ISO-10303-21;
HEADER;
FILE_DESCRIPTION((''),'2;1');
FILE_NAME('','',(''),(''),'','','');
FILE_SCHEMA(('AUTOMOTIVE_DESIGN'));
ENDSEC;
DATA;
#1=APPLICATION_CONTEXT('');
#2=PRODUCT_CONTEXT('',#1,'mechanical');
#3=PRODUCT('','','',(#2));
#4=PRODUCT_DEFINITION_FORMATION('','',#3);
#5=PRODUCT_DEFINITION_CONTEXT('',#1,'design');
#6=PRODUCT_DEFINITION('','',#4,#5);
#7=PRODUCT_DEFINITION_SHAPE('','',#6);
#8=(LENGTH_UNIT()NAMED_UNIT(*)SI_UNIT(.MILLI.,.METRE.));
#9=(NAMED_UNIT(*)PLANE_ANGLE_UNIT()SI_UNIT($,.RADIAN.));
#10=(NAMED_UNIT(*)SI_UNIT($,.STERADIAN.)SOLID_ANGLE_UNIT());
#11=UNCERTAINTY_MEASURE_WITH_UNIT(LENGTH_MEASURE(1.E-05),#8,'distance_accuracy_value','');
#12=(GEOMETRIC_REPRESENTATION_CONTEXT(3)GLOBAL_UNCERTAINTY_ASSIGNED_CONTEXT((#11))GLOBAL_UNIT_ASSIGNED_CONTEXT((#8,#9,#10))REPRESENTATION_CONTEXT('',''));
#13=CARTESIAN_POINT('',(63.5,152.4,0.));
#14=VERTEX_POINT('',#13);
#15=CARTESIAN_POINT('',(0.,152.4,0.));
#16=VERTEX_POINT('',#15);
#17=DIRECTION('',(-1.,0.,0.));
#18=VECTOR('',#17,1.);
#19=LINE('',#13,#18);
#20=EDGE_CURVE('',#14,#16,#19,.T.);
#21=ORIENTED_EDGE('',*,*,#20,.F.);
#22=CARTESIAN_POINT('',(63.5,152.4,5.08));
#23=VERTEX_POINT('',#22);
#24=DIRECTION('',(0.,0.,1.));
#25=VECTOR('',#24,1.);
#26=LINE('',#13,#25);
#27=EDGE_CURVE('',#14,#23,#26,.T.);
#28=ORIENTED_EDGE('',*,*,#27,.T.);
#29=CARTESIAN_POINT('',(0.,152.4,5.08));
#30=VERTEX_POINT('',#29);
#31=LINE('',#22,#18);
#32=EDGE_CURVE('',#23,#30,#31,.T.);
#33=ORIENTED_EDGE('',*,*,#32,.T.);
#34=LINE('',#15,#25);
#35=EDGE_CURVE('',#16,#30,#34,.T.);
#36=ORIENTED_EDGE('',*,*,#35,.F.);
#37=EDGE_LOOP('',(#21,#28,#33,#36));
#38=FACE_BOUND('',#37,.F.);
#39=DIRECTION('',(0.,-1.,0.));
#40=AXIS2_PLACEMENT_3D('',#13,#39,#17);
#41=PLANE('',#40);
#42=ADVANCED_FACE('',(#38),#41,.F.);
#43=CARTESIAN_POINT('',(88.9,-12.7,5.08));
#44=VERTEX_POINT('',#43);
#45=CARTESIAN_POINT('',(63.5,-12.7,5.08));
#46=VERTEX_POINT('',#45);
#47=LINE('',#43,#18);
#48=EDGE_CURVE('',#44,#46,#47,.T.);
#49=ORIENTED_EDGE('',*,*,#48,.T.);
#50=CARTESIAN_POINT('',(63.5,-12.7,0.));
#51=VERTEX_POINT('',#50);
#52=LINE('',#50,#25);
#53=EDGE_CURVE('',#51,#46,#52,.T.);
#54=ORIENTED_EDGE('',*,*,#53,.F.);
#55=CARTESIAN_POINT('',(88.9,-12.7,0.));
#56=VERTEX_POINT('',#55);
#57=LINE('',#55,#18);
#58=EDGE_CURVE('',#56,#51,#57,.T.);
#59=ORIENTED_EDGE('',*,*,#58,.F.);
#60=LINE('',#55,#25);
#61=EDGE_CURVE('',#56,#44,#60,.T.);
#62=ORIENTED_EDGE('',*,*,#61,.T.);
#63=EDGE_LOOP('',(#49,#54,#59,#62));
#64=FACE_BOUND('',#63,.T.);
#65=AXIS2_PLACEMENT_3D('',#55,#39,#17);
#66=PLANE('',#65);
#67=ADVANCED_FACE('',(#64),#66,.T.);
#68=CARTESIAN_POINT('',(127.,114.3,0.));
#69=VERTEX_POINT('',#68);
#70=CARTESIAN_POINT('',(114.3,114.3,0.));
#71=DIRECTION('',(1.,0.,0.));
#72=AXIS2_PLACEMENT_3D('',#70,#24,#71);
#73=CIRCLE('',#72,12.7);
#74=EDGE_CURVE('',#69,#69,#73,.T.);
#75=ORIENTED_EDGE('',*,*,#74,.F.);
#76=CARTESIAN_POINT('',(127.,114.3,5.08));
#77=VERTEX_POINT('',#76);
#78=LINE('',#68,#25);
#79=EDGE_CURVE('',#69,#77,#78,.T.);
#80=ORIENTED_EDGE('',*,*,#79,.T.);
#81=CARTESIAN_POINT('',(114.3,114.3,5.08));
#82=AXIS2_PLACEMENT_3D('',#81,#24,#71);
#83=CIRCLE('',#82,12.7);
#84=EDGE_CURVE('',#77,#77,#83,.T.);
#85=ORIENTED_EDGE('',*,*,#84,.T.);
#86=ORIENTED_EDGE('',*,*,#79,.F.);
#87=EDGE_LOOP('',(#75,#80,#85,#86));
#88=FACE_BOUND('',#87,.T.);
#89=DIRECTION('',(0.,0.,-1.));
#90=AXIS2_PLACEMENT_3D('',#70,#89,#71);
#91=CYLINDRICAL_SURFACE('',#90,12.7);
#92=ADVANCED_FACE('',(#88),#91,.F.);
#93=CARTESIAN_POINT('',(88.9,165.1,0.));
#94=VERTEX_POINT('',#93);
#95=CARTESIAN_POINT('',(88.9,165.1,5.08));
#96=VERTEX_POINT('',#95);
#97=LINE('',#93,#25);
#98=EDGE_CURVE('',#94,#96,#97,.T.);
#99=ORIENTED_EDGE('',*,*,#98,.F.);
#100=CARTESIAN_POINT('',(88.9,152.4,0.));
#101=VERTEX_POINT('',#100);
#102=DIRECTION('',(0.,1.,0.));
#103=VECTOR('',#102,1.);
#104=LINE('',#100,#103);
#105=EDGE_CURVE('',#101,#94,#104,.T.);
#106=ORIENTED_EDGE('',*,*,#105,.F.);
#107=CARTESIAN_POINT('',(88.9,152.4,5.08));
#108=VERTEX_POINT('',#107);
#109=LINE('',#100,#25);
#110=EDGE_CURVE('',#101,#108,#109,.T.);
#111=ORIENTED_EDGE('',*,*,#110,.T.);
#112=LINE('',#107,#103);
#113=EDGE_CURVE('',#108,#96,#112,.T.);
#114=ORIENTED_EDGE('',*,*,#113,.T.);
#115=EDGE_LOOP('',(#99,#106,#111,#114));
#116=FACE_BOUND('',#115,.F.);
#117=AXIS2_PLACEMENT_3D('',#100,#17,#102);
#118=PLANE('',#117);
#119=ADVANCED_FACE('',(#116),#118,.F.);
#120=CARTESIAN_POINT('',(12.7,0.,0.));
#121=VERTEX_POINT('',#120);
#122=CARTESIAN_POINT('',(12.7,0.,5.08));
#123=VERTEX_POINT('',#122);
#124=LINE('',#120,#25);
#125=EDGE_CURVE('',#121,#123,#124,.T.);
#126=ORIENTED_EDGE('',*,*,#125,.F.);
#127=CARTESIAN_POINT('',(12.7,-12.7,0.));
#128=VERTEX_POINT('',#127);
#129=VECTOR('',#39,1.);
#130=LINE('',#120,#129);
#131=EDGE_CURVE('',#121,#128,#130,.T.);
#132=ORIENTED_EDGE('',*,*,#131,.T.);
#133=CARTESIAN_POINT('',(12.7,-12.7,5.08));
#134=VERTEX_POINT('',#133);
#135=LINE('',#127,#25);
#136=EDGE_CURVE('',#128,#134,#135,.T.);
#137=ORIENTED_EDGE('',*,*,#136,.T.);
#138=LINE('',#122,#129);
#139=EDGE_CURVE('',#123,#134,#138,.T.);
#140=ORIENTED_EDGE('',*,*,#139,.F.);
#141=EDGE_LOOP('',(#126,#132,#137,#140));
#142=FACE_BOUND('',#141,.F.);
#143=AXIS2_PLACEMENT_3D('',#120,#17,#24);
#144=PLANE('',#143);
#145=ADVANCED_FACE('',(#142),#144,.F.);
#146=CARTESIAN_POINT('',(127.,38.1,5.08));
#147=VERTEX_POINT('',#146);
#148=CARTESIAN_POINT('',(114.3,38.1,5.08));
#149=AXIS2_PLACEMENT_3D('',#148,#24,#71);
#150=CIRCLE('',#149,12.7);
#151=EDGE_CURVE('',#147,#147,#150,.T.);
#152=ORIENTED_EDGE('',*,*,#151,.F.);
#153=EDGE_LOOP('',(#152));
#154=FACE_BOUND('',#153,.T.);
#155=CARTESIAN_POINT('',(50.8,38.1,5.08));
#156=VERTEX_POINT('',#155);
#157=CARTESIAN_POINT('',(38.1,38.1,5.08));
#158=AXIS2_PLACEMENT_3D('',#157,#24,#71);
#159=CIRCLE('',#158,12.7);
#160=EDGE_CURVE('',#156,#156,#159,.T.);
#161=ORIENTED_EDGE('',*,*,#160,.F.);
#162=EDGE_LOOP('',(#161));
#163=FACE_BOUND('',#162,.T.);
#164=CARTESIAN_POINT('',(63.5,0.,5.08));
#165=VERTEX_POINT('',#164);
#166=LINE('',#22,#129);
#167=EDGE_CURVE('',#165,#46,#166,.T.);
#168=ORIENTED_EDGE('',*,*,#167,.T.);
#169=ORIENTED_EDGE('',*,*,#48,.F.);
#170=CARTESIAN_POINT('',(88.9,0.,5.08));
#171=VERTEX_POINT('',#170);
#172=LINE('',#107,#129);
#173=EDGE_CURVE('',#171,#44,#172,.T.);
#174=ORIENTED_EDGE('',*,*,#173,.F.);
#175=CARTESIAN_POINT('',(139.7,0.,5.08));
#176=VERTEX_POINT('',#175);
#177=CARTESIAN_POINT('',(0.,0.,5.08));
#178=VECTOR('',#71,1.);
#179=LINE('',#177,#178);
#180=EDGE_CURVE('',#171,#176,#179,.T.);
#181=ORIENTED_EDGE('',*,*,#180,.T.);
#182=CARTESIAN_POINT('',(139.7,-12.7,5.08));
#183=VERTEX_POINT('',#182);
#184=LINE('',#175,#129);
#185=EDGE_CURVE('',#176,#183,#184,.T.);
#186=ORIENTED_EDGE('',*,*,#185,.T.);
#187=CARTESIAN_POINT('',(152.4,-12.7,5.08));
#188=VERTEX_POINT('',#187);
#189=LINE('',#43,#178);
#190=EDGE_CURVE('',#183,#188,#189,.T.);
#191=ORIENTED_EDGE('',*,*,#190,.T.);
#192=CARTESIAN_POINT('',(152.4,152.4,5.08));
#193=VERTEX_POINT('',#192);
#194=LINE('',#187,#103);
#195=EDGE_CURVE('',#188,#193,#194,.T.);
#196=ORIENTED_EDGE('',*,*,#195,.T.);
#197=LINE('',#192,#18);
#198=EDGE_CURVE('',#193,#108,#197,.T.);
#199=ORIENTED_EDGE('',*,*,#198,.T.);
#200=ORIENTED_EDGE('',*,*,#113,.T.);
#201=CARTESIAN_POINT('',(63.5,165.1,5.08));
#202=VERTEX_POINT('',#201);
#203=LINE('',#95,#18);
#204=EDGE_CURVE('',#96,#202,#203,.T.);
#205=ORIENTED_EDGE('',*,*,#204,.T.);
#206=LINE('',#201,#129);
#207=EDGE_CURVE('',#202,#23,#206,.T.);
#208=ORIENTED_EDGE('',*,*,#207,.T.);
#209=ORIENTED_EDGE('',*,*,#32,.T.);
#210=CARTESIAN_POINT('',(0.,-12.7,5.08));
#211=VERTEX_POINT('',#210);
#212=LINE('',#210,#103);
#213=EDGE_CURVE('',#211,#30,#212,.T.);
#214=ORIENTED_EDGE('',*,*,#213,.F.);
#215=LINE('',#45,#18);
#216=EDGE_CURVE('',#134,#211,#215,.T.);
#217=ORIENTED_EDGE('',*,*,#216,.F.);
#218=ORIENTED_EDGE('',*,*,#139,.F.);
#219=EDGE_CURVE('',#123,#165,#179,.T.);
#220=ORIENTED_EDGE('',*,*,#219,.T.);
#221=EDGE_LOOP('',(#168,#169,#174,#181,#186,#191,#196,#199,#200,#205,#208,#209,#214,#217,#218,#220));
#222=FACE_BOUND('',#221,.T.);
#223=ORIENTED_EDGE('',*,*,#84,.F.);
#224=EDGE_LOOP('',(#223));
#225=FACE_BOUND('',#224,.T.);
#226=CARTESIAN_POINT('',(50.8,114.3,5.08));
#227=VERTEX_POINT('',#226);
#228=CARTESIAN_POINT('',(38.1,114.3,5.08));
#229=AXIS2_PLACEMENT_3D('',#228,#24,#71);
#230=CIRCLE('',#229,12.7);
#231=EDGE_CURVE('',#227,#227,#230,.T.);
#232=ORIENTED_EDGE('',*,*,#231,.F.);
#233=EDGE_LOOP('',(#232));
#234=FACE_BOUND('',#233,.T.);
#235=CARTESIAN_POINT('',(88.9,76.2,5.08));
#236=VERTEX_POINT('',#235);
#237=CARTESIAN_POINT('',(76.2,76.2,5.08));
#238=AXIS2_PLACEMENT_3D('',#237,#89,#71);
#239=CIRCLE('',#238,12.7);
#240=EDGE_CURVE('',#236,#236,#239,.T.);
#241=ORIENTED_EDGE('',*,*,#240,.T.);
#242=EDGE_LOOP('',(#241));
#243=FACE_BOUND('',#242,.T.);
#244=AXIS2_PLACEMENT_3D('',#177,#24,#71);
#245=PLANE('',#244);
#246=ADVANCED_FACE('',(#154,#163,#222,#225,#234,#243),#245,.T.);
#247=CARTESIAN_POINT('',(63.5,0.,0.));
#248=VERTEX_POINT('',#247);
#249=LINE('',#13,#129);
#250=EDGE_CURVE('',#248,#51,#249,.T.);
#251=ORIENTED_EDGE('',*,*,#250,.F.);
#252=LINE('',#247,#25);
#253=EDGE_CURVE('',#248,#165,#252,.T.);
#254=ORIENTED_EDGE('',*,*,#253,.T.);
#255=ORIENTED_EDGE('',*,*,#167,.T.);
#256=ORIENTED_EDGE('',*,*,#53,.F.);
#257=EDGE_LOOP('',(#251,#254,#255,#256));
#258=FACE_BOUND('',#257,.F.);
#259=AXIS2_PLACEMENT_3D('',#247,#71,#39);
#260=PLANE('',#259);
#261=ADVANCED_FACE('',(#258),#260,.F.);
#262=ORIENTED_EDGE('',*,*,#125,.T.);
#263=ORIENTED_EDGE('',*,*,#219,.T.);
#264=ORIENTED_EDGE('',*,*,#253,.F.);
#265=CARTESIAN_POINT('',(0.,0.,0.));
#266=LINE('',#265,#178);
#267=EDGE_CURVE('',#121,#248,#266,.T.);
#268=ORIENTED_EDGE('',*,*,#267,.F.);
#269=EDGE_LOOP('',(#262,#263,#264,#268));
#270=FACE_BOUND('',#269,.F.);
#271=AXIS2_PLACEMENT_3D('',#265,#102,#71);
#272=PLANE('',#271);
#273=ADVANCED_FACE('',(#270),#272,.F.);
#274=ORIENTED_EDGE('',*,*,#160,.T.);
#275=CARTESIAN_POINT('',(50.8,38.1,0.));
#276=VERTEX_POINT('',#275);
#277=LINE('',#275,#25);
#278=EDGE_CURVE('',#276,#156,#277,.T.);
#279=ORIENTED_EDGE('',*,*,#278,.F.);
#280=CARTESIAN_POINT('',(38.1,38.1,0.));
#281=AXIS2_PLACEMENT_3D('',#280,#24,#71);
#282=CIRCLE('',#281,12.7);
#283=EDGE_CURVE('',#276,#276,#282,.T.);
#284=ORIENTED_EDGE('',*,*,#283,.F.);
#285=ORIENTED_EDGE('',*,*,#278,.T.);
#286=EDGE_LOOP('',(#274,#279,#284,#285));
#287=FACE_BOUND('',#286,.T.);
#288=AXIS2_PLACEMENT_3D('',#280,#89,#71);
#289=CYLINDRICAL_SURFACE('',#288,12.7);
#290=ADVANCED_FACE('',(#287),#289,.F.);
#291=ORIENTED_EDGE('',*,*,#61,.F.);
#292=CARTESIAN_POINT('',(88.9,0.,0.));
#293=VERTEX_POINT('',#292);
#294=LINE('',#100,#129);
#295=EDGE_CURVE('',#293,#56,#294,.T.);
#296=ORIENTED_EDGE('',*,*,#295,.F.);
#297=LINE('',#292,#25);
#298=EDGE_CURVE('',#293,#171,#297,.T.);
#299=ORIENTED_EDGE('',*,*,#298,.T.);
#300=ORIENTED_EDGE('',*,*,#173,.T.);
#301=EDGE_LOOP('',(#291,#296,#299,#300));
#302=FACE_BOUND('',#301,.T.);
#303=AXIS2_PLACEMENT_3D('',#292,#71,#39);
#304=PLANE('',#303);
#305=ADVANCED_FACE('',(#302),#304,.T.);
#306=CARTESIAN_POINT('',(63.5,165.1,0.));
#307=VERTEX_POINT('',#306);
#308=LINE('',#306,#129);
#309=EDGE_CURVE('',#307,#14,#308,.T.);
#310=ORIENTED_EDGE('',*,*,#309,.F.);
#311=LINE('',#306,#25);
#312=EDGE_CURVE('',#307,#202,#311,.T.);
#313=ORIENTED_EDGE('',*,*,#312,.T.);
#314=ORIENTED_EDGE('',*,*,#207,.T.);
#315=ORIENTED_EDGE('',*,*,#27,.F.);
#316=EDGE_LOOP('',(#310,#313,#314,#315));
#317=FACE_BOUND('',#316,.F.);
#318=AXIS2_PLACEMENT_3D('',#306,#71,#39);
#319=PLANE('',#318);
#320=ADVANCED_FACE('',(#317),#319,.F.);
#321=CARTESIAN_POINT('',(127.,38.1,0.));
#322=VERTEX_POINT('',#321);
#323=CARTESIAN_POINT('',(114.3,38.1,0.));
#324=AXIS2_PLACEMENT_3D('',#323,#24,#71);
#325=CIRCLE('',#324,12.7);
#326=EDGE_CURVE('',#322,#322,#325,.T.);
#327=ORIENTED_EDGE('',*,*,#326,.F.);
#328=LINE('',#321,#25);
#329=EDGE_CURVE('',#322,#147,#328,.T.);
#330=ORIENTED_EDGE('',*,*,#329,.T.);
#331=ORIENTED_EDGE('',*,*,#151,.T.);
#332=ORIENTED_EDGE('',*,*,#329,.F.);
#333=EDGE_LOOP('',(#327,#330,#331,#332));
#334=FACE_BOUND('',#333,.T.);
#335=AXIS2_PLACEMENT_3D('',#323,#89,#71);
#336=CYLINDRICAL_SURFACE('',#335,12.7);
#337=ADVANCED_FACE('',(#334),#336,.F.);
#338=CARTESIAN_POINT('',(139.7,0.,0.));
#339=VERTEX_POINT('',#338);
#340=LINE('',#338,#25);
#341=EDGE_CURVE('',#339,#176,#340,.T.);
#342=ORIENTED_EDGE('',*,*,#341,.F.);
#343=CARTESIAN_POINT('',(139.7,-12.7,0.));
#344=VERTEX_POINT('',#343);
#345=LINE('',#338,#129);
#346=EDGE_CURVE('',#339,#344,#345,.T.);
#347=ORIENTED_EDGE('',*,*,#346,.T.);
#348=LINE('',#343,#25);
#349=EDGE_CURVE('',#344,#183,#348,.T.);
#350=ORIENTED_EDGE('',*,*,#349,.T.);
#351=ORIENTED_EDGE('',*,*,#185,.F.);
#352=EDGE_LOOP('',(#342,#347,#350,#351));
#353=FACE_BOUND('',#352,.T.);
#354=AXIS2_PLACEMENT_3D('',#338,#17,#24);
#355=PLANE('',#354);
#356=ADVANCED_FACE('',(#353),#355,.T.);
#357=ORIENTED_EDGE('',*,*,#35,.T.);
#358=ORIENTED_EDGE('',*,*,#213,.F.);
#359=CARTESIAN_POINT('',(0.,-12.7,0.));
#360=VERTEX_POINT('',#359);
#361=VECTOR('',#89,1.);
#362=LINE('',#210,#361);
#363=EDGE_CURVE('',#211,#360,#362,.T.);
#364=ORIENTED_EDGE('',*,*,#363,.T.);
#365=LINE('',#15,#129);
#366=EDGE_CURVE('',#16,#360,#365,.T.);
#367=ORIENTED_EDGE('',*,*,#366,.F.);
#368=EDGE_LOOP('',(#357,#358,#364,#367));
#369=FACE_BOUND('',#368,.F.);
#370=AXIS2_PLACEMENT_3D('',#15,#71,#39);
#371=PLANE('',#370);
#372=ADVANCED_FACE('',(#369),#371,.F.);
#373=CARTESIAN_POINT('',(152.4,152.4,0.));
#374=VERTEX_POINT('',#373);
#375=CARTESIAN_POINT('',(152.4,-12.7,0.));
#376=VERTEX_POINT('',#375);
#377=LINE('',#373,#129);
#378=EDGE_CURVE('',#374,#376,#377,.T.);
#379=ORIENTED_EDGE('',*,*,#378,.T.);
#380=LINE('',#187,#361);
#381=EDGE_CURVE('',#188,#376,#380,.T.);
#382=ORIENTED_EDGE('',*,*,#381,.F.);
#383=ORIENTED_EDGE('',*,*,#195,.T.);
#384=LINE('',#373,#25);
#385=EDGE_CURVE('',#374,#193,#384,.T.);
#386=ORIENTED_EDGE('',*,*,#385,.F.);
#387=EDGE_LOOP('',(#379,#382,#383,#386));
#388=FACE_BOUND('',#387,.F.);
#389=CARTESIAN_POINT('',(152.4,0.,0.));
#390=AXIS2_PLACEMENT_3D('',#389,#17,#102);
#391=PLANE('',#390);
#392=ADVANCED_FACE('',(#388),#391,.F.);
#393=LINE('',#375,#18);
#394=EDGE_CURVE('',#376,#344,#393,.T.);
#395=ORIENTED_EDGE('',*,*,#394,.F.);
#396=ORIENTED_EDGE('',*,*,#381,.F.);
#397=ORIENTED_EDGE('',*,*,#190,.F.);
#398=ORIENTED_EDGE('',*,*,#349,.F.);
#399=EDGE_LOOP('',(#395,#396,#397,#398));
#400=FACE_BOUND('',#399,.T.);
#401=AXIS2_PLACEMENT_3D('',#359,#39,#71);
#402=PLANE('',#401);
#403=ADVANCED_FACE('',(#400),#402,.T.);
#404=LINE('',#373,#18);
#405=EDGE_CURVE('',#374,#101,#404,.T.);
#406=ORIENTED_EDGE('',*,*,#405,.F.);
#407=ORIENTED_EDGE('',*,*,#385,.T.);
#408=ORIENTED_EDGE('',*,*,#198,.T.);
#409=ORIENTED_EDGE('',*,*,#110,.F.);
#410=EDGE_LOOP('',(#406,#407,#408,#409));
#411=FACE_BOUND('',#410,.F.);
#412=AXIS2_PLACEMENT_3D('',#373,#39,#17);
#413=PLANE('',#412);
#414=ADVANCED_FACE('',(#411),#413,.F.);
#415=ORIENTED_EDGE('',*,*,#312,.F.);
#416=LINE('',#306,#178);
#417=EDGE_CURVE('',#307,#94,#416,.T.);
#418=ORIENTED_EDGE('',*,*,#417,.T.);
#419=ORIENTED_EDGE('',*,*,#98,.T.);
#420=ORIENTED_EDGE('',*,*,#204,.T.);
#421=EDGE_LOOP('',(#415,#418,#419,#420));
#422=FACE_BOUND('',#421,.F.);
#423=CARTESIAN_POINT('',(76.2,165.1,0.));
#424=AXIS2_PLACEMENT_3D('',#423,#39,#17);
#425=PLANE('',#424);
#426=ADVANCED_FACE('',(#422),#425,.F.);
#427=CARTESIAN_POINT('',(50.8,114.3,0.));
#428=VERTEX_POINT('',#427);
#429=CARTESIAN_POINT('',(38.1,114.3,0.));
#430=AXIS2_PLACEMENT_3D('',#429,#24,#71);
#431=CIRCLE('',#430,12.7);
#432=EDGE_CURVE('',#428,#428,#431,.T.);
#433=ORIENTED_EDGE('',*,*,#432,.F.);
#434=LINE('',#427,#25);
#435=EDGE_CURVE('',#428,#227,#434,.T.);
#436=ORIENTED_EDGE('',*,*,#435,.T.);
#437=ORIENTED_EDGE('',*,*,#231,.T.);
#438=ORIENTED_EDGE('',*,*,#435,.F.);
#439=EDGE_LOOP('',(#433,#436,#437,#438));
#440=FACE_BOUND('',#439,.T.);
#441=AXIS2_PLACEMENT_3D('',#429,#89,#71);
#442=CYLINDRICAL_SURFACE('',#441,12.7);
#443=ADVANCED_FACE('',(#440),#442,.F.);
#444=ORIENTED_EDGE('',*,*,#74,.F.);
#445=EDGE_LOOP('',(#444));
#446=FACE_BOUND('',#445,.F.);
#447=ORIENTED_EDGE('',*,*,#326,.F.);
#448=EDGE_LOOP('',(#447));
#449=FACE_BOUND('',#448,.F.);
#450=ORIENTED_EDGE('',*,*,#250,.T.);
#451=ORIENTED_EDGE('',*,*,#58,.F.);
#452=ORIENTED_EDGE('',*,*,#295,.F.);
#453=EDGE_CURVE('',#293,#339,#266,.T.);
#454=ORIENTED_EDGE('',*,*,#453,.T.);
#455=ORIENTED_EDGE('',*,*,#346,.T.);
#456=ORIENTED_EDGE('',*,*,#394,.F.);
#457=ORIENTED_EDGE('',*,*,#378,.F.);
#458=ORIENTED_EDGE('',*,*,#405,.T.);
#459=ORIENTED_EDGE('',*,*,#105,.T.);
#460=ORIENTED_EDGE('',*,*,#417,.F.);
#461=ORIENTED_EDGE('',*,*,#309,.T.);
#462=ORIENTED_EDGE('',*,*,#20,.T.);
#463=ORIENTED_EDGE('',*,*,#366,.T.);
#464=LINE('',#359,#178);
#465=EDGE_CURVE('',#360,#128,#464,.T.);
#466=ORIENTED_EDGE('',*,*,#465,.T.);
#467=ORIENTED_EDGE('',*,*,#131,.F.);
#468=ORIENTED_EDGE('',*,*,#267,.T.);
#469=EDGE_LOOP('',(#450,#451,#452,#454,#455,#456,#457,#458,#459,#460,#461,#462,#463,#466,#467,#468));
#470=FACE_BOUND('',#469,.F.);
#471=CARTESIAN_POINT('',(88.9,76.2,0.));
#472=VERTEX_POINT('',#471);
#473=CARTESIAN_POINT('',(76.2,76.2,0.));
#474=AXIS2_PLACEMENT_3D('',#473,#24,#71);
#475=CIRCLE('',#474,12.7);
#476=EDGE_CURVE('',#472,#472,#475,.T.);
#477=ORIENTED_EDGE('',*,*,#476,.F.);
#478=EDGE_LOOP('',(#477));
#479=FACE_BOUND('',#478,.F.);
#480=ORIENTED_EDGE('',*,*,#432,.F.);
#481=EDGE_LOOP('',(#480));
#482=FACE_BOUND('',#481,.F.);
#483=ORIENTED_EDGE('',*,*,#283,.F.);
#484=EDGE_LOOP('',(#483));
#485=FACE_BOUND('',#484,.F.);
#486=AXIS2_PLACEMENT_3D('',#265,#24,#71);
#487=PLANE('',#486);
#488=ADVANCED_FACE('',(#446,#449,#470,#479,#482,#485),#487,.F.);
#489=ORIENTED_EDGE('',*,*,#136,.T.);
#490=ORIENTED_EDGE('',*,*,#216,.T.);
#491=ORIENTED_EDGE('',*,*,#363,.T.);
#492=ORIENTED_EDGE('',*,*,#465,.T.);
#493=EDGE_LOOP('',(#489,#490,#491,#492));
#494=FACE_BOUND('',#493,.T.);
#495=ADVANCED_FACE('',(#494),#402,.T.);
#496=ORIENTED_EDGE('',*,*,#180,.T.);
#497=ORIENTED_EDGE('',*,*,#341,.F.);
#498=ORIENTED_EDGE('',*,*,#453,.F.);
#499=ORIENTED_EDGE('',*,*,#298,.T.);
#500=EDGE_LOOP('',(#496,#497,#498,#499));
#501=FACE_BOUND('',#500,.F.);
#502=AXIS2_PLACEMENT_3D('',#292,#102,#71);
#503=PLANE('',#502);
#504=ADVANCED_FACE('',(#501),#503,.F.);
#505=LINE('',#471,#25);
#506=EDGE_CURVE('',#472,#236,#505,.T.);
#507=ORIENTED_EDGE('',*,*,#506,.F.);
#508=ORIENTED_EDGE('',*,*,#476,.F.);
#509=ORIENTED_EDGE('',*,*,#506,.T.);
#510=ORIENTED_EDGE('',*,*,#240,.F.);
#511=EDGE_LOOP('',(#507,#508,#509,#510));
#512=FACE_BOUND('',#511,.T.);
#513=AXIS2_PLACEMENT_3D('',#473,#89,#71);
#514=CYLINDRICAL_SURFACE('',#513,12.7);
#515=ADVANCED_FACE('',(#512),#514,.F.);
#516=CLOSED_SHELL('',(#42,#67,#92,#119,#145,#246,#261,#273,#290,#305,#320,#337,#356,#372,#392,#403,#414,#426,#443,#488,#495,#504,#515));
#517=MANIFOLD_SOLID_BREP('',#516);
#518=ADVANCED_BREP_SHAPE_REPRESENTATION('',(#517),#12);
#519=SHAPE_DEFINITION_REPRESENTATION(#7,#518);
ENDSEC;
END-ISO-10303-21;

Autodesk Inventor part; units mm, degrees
ref_plane "YZ Plane" through (0, 0, 0) normal (1, 0, 0) x (0, 1, 0)
ref_plane "XZ Plane" through (0, 0, 0) normal (0, 1, 0) x (-1, 0, 0)
ref_plane "XY Plane" through (0, 0, 0) normal (0, 0, 1) x (1, 0, 0)
sketch "Sketch1" plane through (0, 0, 0) normal (0, 0, 1) x (1, 0, 0)
  line L0 (0, 0) -> (152.4, 0)
  line L1 (152.4, 0) -> (152.4, 152.4)
  line L2 (0, 152.4) -> (0, 0)
  line L3 (88.9, 152.4) -> (88.9, 165.1)
  line L4 (88.9, 165.1) -> (76.2, 165.1)
  line L5 (76.2, 165.1) -> (63.5, 165.1)
  line L6 (63.5, 165.1) -> (63.5, 152.4)
  line L7 (152.4, 152.4) -> (88.9, 152.4)
  line L8 (63.5, 152.4) -> (0, 152.4)
  circle A0 centre (38.1, 114.3) radius 12.7
  circle A1 centre (114.3, 114.3) radius 12.7
  circle A2 centre (76.2, 76.2) radius 12.7
  circle A3 centre (38.1, 38.1) radius 12.7
  circle A4 centre (114.3, 38.1) radius 12.7
  line L9 (63.5, 152.4) -> (63.5, -12.7)
  line L10 (88.9, 152.4) -> (88.9, -12.7)
  line L11 (63.5, 0) -> (88.9, 0)
  line L12 (88.9, 0) -> (88.9, -12.7)
  line L13 (88.9, -12.7) -> (63.5, -12.7)
  line L14 (63.5, -12.7) -> (63.5, 0)
  dimension "d0" = 152.4
  dimension "d1" = 152.4
  dimension "d5" = 12.7
  dimension "d6" = 12.7
  dimension "d7" = 12.7
  dimension "d8" = 12.7
  dimension "d9" = 63.5
  dimension "d10" = 90
  dimension "d11" = 25.4
  dimension "d12" = 25.4
  dimension "d13" = 25.4
  dimension "d14" = 25.4
  dimension "d15" = 25.4
  dimension "d16" = 38.1
  dimension "d17" = 38.1
  dimension "d18" = 38.1
  dimension "d19" = 38.1
  dimension "d20" = 76.2
  dimension "d21" = 76.2
  dimension "d22" = 38.1
  dimension "d23" = 38.1
  dimension "d24" = 38.1
  dimension "d25" = 38.1
  dimension "d26" = 12.7
extrude "Extrusion1" add sketch "Sketch1" along normal blind 5.08 contours L2 L8 L9 L0 | L9 A2 L10 L0 | L0 L10 L13 L9 | L10 L7 L1 L0 | L9 L6 L5 L4 L3 L10 A2
sketch "Sketch2" plane through (0, 0, 0) normal (0, -1, 0) x (1, 0, 0)
  line L0 (63.5, 5.08) -> (0, 5.08) projected
  line L1 (0, 0) -> (12.7, 0)
  line L2 (12.7, 0) -> (12.7, 5.08)
  line L3 (12.7, 5.08) -> (0, 5.08)
  line L4 (0, 5.08) -> (0, 0)
  line L5 (88.9, 5.08) -> (152.4, 5.08) projected
  line L6 (152.4, 0) -> (139.7, 0)
  line L7 (139.7, 0) -> (139.7, 5.08)
  line L8 (139.7, 5.08) -> (152.4, 5.08)
  line L9 (152.4, 5.08) -> (152.4, 0)
  dimension "d29" = 12.7
  dimension "d31" = 12.7
extrude "Extrusion2" add sketch "Sketch2" along normal blind 12.7
properties part number "Heating Plate"
